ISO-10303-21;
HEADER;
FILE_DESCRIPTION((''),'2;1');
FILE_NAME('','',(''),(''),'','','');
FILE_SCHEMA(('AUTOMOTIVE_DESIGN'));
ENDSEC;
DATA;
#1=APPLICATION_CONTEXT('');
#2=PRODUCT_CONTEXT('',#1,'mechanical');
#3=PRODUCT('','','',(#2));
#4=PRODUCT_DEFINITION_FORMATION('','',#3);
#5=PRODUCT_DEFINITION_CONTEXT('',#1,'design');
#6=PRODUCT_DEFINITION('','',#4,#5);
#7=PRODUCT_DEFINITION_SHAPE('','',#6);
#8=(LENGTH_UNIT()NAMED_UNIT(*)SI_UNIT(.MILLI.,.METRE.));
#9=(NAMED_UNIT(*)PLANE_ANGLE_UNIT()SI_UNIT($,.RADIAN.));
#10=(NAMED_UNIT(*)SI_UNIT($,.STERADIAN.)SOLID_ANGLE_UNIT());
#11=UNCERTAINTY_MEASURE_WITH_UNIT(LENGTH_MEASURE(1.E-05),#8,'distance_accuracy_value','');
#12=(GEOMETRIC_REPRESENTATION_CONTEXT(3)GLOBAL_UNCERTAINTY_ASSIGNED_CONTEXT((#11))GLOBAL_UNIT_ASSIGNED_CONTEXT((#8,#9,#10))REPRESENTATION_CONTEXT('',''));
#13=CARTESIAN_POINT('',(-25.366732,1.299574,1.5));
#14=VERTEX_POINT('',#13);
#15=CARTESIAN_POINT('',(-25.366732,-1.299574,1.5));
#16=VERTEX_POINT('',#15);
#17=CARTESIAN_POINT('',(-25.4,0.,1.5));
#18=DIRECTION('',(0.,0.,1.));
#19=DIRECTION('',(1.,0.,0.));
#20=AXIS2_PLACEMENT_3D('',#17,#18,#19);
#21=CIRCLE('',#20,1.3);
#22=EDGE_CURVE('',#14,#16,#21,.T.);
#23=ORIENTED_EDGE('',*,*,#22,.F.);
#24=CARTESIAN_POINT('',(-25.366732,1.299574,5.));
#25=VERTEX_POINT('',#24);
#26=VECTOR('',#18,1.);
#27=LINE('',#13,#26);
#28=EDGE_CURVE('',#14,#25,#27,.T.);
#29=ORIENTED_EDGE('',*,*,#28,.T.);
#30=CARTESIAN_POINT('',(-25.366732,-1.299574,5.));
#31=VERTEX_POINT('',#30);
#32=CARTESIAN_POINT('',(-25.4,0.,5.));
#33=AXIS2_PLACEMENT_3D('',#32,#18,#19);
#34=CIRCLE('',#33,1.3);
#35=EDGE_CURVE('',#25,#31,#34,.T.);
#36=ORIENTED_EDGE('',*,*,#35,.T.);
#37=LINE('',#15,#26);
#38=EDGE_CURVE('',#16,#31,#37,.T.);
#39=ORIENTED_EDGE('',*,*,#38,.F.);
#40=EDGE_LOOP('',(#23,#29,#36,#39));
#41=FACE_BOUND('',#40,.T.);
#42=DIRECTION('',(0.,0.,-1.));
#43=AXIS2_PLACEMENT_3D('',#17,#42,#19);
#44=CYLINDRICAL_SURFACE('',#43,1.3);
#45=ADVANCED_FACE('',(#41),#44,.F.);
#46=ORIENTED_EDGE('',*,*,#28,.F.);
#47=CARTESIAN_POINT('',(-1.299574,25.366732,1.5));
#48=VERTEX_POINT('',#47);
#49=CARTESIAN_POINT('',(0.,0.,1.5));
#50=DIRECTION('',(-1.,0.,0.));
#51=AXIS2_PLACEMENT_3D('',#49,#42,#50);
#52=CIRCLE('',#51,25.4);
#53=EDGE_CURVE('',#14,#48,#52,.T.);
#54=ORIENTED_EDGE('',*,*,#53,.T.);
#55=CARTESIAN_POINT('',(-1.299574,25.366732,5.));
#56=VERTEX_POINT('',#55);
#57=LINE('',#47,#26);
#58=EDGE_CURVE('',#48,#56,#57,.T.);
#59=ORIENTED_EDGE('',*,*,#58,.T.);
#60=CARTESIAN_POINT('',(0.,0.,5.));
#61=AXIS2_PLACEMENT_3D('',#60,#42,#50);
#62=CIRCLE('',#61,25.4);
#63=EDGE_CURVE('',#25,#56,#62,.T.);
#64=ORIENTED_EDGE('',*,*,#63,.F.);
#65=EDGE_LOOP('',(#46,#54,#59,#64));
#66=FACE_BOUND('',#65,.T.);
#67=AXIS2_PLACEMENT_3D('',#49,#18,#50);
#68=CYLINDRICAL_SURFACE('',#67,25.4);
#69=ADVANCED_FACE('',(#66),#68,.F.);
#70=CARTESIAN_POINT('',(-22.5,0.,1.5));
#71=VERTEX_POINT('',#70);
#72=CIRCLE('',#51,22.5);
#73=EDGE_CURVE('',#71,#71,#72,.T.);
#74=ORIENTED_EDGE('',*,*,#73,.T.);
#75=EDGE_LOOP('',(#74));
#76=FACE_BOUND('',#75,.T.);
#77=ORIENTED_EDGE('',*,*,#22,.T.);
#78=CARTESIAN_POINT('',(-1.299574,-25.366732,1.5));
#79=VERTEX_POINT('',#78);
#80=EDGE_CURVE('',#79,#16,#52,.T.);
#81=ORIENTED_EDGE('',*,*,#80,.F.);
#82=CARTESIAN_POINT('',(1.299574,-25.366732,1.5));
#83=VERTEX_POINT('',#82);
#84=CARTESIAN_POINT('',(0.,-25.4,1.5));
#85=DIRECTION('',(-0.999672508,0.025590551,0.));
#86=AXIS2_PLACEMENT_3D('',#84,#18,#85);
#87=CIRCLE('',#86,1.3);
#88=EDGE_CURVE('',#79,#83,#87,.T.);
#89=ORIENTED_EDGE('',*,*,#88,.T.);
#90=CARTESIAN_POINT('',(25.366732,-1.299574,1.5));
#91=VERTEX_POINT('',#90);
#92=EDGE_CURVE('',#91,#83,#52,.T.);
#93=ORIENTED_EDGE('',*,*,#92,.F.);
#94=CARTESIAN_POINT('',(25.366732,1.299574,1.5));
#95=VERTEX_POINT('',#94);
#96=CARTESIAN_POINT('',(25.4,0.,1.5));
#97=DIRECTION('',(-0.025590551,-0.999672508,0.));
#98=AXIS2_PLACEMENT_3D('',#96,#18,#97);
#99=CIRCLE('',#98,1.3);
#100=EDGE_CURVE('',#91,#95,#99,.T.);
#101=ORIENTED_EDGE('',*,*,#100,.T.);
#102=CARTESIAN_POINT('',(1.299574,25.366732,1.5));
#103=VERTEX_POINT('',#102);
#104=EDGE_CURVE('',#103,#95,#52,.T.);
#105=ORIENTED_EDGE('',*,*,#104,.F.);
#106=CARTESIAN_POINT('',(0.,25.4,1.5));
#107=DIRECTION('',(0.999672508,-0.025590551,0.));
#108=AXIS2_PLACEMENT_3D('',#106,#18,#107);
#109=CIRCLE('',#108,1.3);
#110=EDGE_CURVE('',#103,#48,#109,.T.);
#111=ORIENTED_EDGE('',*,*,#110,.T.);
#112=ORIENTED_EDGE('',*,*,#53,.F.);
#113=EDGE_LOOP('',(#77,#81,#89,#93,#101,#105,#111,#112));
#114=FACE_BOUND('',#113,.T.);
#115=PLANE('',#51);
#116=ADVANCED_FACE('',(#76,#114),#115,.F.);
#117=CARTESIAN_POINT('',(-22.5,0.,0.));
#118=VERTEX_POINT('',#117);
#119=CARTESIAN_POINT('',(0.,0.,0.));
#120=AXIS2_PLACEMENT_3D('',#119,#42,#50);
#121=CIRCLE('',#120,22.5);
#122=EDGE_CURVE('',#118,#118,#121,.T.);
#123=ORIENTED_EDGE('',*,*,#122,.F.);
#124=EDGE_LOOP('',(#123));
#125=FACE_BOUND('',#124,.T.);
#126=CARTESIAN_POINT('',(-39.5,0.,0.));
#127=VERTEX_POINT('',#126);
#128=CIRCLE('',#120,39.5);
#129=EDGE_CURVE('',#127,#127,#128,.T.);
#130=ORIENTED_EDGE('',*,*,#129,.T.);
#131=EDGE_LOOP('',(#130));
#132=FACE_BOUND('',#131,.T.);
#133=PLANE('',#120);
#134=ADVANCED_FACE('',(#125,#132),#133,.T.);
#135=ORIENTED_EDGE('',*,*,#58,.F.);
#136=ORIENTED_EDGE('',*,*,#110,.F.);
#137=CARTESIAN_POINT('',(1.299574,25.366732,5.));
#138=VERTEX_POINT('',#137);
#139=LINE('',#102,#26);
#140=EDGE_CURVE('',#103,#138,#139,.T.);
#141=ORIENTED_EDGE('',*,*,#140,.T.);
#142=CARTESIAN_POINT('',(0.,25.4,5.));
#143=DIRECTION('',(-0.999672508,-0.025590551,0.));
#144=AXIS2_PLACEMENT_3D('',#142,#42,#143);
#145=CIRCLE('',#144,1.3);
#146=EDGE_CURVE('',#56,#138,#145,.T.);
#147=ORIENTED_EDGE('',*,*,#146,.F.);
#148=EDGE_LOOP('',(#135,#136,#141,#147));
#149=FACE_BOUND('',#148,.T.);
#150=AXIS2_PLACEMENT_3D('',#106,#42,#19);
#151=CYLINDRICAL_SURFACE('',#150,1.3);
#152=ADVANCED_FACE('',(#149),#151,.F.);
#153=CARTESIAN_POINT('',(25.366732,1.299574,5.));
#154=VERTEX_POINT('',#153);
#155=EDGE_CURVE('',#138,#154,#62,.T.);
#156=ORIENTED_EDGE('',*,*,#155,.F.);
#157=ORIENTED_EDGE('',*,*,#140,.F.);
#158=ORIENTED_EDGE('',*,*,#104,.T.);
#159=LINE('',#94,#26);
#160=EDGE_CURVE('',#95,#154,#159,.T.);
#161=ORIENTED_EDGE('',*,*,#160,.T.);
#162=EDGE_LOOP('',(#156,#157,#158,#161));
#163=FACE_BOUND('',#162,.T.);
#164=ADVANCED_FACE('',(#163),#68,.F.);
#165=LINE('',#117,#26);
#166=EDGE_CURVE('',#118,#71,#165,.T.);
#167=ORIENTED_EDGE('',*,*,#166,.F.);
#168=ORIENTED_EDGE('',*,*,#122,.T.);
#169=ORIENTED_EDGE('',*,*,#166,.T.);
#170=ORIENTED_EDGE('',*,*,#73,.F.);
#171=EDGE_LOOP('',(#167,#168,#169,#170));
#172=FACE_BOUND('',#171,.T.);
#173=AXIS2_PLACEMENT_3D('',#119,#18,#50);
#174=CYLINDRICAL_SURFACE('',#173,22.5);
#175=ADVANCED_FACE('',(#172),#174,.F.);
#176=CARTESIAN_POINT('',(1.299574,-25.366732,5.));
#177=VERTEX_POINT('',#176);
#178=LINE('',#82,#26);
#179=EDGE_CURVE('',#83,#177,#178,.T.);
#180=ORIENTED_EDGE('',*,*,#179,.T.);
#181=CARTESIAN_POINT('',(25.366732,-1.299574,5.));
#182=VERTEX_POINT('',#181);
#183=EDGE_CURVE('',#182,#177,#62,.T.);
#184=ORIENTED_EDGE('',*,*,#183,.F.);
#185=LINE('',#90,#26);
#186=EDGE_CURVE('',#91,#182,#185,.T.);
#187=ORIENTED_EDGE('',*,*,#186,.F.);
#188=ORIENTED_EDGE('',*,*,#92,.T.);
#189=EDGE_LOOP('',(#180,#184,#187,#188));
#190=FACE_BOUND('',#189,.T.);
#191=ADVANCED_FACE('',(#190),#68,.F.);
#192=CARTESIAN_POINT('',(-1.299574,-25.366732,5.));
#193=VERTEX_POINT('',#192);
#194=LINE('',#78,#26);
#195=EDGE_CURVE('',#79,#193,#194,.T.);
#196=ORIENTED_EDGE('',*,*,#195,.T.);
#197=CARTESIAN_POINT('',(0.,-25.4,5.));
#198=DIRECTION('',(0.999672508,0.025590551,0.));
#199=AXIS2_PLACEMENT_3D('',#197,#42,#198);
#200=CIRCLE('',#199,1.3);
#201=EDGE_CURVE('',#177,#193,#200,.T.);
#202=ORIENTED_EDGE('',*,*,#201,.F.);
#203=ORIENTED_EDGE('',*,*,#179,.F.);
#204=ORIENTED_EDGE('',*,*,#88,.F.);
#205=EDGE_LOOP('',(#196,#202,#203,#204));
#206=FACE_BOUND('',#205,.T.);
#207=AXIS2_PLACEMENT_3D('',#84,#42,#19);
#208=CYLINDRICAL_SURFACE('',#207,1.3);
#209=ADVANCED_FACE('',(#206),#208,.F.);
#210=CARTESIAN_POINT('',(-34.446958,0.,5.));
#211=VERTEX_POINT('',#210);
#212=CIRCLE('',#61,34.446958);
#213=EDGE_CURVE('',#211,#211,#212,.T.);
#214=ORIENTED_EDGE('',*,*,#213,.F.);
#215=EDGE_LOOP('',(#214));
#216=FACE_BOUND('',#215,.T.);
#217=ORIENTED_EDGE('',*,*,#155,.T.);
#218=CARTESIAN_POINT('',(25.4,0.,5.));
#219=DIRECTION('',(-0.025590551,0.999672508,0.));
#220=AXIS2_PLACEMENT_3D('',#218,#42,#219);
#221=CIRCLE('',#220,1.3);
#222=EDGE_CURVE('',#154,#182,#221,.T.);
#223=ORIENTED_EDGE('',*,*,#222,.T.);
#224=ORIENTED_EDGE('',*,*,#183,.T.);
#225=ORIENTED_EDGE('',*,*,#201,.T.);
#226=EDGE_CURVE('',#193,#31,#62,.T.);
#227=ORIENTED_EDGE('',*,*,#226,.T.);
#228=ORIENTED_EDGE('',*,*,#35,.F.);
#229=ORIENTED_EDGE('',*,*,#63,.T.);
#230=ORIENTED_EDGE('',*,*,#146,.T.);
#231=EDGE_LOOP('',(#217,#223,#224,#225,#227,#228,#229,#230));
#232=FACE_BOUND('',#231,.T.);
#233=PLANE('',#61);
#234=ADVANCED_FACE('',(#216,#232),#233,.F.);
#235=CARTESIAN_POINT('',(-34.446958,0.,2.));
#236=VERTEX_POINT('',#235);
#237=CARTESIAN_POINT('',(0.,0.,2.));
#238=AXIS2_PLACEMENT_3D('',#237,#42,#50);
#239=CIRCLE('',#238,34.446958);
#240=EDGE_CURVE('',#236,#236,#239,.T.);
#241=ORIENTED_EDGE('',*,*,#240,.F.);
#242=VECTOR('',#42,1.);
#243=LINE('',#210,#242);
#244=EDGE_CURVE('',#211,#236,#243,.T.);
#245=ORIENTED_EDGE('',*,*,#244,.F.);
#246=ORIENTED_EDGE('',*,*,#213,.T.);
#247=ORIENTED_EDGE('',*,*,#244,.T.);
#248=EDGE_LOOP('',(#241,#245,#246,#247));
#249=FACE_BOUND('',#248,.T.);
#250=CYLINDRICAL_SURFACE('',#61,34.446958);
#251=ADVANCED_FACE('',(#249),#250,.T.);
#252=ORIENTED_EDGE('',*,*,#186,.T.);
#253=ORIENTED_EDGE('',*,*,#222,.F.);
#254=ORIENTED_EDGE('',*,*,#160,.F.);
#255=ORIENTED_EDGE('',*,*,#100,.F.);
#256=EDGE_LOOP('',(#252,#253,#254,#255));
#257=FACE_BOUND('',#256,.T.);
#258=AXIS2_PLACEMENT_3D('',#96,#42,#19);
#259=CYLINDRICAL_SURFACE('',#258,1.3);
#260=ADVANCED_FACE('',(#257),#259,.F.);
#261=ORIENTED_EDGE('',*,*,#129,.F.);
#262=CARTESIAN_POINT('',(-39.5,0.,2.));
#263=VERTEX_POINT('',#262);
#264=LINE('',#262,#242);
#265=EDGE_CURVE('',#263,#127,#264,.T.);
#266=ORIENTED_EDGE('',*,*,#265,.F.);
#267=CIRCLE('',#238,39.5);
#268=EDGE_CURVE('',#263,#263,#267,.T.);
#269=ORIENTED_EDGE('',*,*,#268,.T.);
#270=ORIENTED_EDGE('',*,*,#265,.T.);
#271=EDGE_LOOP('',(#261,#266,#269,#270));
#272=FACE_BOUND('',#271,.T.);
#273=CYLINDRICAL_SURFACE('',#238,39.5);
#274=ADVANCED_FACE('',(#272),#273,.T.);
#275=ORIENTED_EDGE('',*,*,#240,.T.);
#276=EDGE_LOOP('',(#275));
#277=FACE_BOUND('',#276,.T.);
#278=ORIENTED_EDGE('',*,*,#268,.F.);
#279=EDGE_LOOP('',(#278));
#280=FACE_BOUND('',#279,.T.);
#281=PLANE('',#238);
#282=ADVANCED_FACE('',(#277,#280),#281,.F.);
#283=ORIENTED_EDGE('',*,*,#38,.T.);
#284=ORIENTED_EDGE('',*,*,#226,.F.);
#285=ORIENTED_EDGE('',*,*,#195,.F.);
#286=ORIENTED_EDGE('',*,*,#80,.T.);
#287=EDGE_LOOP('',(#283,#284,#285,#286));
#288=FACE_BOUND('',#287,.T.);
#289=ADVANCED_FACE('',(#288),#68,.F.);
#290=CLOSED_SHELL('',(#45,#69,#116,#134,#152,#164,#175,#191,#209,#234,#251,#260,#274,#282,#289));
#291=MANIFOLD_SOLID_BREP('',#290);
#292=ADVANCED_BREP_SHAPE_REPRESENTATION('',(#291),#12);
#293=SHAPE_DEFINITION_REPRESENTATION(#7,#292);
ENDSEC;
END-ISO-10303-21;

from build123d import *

# Parameters (mm, degrees)
F3_START = 1.5
F2_R     = 1.3
F3_DEPTH = 3.5


with BuildPart() as f1:
    # F0 (on Front) → F1 (revolve)
    with BuildSketch(Plane.XZ):
        Polygon((-39.5, 2), (-39.5, 0), (-22.5, 0), (-22.5, 1.5), (-25.4, 1.5), (-25.4, 5), (-34.4469576932, 5), (-34.4469576932, 2), align=None)
    revolve(axis=Axis((0, 0, 4.7885915264), (0, 0, -1)))

    # F2 (on Top) → F3 (cut)
    with BuildSketch(Plane.XY.offset(F3_START)):
        with Locations((0, 25.4)):
            Circle(F2_R)
        with Locations((-25.4, 0)):
            Circle(F2_R)
        with Locations((0, -25.4)):
            Circle(F2_R)
        with Locations((25.4, 0)):
            Circle(F2_R)
    extrude(amount=F3_DEPTH, mode=Mode.SUBTRACT)


solid = f1.part
